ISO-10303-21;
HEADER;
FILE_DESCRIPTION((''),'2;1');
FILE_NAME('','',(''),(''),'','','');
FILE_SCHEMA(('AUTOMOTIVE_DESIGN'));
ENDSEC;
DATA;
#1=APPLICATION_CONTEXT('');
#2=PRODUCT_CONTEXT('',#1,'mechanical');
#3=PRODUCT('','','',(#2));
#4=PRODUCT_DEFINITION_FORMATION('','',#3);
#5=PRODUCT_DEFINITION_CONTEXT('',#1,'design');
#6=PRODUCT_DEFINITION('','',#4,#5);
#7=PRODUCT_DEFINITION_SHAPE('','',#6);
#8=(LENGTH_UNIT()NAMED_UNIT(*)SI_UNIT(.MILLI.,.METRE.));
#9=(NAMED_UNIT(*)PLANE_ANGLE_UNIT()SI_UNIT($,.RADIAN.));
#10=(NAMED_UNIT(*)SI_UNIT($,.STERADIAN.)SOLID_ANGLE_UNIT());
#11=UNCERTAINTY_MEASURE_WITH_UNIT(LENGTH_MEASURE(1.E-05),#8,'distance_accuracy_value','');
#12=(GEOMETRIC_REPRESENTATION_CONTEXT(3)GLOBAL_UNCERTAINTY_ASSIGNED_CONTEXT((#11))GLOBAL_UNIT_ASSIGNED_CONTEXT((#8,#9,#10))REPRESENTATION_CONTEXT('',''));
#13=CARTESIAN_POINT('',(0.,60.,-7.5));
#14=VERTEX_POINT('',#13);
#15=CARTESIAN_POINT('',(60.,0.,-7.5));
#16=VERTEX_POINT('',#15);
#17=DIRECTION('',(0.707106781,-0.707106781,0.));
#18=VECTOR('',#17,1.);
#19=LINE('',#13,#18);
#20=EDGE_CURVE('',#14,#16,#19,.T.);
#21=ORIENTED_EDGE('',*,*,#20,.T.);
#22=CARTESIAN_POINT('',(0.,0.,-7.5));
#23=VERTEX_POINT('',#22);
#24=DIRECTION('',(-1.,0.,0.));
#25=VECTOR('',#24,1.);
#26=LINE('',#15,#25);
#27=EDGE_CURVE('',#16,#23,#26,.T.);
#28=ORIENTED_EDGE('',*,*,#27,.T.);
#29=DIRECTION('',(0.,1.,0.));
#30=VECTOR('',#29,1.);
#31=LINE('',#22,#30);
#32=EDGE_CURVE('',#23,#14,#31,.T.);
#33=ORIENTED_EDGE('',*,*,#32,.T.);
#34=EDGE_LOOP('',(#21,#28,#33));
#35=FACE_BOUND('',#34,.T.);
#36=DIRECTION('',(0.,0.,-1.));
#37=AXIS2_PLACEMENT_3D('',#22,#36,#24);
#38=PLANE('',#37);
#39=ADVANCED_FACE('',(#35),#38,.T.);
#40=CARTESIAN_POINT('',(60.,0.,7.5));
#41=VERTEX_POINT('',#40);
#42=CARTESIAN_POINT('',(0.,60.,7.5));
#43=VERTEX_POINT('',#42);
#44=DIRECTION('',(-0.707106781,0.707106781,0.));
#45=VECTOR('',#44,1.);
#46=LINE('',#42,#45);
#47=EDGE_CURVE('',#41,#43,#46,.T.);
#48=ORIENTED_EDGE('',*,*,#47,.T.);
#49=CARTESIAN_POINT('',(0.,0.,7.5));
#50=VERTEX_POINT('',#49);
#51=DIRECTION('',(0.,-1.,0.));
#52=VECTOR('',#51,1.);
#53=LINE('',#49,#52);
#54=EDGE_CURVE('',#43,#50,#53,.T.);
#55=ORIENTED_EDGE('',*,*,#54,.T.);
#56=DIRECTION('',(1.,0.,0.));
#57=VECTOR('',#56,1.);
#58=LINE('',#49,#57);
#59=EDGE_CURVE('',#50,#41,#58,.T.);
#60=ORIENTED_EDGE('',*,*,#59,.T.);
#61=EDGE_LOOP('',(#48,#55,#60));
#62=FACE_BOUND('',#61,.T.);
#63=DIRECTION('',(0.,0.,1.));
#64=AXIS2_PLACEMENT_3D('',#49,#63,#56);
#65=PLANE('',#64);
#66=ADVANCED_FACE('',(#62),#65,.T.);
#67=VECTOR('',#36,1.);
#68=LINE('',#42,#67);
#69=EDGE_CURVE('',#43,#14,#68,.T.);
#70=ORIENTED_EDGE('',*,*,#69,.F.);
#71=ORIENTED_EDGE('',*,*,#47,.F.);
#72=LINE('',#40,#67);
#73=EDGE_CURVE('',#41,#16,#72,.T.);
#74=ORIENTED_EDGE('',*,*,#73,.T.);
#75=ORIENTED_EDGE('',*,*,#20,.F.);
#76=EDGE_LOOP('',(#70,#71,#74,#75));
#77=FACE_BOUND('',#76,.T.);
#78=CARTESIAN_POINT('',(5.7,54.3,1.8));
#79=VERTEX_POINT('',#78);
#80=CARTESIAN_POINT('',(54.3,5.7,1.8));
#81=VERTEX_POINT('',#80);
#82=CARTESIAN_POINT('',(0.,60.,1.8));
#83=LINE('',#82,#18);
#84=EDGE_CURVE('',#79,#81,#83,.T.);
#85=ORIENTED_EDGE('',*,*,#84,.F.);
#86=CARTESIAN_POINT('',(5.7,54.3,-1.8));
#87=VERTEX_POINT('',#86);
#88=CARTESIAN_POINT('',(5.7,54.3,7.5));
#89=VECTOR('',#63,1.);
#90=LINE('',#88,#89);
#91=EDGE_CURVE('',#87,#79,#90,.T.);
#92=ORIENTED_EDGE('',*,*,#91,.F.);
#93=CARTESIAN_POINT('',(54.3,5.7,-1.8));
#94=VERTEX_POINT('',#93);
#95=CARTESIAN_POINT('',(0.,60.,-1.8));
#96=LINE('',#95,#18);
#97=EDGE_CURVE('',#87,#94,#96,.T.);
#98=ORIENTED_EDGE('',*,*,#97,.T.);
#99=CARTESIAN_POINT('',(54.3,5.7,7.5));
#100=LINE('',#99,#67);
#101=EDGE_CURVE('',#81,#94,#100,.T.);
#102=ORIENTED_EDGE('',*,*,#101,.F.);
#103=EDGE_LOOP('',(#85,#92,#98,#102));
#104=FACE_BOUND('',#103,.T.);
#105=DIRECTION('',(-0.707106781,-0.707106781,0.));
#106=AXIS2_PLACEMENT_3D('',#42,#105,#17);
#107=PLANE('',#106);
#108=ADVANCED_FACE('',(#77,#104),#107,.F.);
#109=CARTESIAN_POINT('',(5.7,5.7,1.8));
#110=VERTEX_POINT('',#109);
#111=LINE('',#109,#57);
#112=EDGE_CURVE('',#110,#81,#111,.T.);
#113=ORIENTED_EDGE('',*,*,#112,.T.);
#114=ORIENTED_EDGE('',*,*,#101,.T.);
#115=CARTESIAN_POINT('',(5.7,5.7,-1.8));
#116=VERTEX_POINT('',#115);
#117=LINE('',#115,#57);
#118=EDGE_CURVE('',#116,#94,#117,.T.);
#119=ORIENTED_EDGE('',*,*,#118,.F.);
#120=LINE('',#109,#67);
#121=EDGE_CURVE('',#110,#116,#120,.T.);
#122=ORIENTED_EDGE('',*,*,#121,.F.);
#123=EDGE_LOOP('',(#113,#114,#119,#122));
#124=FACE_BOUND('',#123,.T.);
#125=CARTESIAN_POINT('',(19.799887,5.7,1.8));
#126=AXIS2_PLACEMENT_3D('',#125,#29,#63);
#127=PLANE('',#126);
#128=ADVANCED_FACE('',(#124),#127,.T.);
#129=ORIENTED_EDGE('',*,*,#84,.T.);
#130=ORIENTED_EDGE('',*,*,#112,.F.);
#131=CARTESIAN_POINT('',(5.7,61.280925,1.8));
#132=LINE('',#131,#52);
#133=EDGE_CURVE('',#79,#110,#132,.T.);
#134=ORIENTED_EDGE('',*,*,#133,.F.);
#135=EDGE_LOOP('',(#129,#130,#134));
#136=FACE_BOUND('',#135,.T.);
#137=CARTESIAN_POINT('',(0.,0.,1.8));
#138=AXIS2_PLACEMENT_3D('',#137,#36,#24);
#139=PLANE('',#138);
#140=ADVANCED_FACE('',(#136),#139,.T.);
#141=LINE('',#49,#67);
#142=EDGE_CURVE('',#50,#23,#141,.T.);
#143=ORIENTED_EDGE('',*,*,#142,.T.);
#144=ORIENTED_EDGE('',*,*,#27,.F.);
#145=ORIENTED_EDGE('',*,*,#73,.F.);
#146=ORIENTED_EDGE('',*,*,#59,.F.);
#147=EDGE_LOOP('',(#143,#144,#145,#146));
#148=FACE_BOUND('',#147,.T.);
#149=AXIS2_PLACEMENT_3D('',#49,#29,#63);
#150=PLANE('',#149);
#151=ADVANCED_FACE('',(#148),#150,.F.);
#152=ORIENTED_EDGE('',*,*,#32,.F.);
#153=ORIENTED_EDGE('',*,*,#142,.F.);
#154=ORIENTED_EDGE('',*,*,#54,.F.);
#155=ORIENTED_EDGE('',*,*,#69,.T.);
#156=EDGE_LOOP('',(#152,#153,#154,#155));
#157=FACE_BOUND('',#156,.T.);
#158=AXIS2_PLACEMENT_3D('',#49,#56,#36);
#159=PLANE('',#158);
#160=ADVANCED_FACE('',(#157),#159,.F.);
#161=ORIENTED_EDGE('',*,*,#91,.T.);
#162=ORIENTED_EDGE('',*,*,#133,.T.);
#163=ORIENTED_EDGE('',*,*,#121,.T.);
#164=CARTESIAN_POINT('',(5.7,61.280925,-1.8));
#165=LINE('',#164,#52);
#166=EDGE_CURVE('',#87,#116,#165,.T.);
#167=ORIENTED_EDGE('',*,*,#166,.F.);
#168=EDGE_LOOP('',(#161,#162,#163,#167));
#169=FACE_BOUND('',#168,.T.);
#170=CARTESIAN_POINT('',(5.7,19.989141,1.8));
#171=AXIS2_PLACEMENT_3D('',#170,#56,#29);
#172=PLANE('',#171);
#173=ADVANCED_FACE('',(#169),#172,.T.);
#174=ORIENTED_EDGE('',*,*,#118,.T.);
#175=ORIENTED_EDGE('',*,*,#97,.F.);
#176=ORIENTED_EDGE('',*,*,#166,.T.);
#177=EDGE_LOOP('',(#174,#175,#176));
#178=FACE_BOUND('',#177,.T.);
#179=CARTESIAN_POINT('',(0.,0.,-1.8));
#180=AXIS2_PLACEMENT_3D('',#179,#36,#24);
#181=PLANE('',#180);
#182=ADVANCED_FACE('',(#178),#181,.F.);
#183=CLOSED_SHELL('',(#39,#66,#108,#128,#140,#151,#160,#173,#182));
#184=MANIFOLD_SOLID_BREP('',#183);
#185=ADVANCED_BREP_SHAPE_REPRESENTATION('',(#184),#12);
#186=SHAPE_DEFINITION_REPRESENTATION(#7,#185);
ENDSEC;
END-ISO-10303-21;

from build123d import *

# Parameters (mm, degrees)
BOSS_EXTRU_1_DEPTH           = 7.5
BOSS_EXTRU_2_DEPTH           = 7.5
ENL_V_MAT_EXTRU_1_DEPTH      = 1.8
ENL_V_MAT_EXTRU_1_DEPTH_BACK = 1.8


with BuildPart() as part:
    # Esquisse1 → Boss.-Extru.1 (new body)
    with BuildSketch(Plane.XY):
        Polygon((0, 0), (0, 60), (60, 0), align=None)
    extrude(amount=BOSS_EXTRU_1_DEPTH)

    # Esquisse4 → Boss.-Extru.2 (add)
    with BuildSketch(Plane(origin=(0, 0, 0), x_dir=(-1, 0, 0), z_dir=(0, 0, -1))):
        Polygon((-60, 0), (0, 0), (0, 60), align=None)
    extrude(amount=BOSS_EXTRU_2_DEPTH)

    # Esquisse5 → Enlèv. mat.-Extru.1 (cut, two sides: drawn at the far end of the back side and taken through both)
    with BuildSketch(Plane.XY.offset(-ENL_V_MAT_EXTRU_1_DEPTH_BACK)):
        Polygon((19.799886626, 5.7), (65.41074544, 5.7), (5.7, 61.280925076), (5.7, 19.989141186), (5.7, 5.7), align=None)
    extrude(amount=ENL_V_MAT_EXTRU_1_DEPTH + ENL_V_MAT_EXTRU_1_DEPTH_BACK, mode=Mode.SUBTRACT)


solid = part.part
